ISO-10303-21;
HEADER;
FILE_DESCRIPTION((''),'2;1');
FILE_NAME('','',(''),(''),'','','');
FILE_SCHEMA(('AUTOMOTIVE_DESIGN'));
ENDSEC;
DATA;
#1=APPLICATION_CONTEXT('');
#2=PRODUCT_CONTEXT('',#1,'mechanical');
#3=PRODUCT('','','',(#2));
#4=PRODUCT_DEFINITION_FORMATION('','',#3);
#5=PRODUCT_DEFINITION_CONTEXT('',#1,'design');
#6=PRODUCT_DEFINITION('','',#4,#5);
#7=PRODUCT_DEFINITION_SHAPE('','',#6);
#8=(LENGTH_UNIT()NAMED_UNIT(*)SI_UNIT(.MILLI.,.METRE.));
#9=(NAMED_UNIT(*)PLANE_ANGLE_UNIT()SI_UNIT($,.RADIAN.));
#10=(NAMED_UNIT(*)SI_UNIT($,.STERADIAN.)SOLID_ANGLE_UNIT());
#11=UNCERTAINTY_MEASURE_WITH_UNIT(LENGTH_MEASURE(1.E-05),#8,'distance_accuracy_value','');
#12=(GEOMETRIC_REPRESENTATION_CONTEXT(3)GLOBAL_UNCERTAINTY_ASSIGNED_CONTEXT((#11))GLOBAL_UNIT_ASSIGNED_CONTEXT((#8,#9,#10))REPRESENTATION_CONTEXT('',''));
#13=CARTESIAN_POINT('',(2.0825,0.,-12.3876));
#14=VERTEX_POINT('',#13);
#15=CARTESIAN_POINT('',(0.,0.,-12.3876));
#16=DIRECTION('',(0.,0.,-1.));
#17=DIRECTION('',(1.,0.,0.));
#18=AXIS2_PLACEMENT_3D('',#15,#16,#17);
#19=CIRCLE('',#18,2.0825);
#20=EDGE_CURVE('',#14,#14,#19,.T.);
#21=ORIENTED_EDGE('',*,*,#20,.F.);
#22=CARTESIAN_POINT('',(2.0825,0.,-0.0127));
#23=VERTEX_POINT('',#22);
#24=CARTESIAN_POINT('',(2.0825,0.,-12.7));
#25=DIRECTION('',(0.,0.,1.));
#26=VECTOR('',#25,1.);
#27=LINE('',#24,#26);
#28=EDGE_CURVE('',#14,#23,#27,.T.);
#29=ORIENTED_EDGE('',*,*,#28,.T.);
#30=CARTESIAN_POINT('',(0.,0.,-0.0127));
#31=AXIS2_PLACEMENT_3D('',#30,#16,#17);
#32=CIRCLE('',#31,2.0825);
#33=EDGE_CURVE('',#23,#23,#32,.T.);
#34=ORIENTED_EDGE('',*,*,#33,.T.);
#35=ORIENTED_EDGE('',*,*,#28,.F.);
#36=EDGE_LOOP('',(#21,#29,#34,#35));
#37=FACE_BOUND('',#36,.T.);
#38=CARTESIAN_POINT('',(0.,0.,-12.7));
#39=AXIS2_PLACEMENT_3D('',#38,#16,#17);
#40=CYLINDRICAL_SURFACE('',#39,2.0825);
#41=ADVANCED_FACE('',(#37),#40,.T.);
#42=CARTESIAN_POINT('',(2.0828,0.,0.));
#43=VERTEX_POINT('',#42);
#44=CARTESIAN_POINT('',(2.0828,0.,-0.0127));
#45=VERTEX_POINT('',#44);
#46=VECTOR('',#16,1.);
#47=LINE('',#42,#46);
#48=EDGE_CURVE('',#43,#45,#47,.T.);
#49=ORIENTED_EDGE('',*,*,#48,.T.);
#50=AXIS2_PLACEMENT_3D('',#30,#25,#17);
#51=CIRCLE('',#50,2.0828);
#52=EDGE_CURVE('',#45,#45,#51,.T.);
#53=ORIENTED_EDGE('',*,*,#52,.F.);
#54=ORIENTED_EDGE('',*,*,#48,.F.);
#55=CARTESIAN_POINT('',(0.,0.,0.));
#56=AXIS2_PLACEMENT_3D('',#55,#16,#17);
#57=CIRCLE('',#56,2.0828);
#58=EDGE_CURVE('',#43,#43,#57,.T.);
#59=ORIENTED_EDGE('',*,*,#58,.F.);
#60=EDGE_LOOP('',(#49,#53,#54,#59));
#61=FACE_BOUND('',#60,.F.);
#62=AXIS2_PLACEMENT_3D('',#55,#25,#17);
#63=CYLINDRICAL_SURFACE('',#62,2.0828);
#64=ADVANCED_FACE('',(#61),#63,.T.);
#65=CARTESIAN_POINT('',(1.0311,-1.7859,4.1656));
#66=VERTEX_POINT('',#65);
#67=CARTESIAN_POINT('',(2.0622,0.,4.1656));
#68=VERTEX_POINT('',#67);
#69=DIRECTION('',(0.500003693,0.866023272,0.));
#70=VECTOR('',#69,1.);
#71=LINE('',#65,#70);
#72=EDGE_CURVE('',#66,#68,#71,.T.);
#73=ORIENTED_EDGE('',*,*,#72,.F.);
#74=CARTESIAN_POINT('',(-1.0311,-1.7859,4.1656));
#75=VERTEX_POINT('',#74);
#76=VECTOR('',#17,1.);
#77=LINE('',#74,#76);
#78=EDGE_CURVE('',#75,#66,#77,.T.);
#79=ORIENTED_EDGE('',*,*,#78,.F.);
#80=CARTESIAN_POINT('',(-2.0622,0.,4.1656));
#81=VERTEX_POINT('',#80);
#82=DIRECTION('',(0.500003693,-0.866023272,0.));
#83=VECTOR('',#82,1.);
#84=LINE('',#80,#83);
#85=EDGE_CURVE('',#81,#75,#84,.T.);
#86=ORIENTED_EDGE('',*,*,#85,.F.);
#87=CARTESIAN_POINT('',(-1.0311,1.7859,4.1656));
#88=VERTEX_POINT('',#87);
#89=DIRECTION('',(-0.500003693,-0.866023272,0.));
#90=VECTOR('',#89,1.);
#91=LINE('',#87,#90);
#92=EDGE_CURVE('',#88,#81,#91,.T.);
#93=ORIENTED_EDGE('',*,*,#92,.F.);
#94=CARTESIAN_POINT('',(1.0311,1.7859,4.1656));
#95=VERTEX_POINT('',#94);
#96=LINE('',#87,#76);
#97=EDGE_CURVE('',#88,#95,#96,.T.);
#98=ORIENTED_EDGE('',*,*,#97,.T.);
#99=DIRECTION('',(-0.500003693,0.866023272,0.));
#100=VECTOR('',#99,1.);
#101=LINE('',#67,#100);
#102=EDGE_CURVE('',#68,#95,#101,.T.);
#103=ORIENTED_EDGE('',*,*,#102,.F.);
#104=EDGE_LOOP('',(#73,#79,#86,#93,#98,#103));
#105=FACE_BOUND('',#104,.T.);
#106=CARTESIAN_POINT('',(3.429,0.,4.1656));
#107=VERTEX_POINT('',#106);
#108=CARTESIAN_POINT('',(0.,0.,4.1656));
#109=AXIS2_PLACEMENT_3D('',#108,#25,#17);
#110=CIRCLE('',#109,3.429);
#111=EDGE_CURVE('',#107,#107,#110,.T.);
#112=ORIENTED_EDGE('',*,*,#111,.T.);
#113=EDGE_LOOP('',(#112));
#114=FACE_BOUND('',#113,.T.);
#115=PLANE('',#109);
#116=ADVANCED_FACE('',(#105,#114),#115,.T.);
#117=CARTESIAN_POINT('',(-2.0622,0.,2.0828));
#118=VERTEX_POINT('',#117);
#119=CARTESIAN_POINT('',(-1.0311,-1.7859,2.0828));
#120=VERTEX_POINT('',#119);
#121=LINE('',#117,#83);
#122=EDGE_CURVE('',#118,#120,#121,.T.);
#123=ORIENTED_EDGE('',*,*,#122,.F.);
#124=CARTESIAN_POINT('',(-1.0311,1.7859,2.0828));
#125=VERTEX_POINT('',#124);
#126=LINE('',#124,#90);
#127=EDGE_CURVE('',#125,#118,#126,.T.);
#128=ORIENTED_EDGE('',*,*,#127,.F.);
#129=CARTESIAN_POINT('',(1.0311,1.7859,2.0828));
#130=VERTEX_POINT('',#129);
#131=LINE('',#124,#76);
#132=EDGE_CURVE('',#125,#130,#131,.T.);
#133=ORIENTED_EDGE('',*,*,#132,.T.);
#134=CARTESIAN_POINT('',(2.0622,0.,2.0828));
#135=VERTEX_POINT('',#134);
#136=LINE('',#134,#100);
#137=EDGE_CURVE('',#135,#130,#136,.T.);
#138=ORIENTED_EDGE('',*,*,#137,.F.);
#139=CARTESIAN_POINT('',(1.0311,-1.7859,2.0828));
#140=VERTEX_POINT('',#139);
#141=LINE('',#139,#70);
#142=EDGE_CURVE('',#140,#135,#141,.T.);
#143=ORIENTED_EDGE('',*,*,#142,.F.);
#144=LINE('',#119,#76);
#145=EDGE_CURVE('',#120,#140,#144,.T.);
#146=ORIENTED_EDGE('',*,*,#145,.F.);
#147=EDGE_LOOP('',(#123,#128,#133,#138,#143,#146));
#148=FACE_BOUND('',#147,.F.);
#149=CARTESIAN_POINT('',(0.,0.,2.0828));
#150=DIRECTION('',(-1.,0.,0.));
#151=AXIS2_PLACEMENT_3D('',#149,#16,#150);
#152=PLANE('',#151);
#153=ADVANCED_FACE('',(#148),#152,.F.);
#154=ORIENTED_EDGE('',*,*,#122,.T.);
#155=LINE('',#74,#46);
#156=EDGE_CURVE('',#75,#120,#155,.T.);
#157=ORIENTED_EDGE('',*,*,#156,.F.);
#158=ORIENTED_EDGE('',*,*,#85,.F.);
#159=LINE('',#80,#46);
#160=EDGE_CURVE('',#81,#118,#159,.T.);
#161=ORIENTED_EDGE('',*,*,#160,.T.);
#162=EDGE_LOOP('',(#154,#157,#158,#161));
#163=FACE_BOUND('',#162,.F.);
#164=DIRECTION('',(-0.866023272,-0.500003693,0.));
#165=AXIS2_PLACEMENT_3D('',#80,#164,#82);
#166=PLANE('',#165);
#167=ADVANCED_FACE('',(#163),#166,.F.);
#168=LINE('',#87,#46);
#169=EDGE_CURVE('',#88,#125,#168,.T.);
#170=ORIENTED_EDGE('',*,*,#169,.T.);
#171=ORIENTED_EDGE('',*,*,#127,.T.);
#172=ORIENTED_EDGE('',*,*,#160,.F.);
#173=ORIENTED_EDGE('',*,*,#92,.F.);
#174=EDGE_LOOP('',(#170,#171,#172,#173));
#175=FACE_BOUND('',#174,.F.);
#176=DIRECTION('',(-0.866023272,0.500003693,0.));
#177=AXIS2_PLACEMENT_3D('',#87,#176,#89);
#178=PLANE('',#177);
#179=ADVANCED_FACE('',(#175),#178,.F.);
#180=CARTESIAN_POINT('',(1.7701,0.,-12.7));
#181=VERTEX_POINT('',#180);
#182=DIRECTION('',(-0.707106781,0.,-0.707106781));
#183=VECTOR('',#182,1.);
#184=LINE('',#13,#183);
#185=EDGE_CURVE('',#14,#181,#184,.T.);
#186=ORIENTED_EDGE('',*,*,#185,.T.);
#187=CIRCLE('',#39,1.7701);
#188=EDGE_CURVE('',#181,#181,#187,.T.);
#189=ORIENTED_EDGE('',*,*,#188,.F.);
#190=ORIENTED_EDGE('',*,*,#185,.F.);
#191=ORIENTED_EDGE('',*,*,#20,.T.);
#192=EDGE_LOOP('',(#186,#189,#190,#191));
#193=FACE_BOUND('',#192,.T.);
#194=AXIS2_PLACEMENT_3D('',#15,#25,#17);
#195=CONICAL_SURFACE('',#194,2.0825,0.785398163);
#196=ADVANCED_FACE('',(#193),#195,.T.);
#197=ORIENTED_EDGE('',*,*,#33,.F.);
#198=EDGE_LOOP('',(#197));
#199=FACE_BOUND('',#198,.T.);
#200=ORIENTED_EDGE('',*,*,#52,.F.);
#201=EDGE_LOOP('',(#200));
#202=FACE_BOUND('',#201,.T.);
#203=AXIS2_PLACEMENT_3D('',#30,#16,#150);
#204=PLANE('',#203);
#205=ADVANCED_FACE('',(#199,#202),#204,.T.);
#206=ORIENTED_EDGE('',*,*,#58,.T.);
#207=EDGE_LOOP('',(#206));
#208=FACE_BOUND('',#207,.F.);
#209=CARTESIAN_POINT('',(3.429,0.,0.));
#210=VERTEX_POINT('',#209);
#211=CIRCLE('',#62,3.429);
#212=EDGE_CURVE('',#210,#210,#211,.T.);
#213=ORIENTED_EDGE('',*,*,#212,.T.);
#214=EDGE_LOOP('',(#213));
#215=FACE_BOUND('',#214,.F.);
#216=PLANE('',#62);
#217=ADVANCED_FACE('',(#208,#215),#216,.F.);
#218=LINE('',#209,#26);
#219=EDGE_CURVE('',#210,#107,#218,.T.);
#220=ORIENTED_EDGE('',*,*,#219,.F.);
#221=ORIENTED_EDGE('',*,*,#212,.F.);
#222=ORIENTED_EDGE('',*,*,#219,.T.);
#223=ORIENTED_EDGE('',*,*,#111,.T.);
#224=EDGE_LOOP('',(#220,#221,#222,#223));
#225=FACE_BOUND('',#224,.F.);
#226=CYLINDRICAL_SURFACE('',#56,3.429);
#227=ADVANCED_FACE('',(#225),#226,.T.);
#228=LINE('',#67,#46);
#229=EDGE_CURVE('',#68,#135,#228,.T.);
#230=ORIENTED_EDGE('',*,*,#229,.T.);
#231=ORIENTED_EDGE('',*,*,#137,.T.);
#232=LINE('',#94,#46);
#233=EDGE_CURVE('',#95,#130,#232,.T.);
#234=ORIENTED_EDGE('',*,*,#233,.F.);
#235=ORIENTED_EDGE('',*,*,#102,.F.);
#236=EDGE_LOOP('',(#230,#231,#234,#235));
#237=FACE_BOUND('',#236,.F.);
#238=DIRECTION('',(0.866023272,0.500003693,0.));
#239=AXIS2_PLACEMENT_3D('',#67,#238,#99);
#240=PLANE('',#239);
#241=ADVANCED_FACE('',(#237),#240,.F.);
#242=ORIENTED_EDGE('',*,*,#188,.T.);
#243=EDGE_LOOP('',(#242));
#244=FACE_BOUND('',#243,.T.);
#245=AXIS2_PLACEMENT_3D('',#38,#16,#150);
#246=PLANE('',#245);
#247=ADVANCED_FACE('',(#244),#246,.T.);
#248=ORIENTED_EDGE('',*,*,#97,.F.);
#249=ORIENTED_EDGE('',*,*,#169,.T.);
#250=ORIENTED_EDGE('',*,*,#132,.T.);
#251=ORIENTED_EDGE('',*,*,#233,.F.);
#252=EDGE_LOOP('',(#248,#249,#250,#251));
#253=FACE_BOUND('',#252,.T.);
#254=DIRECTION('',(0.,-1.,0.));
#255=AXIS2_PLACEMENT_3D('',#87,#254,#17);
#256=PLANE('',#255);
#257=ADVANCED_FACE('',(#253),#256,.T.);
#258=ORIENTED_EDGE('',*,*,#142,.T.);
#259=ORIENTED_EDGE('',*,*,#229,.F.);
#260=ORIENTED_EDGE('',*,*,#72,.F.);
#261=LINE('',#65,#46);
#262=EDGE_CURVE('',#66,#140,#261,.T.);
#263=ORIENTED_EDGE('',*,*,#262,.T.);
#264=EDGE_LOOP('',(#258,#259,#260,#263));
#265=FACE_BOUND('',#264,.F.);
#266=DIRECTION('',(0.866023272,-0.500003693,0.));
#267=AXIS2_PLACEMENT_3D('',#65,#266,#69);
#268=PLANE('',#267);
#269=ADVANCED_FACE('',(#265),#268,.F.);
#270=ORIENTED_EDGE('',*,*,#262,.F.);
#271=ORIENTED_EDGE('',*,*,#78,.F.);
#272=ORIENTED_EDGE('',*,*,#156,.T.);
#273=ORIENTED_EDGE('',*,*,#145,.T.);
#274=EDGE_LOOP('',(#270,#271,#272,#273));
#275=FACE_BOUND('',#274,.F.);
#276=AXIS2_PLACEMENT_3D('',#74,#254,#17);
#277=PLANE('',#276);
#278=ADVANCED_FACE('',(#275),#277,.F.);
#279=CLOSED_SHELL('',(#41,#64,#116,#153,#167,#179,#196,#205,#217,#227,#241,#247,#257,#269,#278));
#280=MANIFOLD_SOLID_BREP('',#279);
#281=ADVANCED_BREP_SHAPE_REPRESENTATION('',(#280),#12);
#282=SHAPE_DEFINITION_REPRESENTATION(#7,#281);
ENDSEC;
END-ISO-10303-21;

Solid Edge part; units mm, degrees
sketch "Sketch1" plane through (0, 0, 0) normal (0, 0, 1) x (1, 0, 0)
  circle A0 centre (0, 0) radius 3.429
  dimension "D1" = 6.858
extrude "Protrusion1" add sketch "Sketch1" along normal blind 4.1656
sketch "Sketch2" plane through (0, 0, 0) normal (0, 0, -1) x (1, 0, 0)
  circle A0 centre (0, 0) radius 2.0828
extrude "Protrusion2" add sketch "Sketch2" along normal blind 12.7
sketch "Sketch3" plane through (0, 0, -12.7) normal (0, 0, -1) x (1, 0, 0)
  circle A0 centre (0, 0) radius 2.0825
extrude "Cutout1" cut sketch "Sketch3" against normal blind 12.6873 flip side to cut
chamfer "Chamfer_1" distance 0.3124 angle 45 1 edges at (-2.0825, 0, -12.7)
sketch "Sketch4" plane through (0, 0, 4.1656) normal (0, 0, 1) x (1, 0, 0)
  line L0 (-1.0311, 1.7859) -> (1.0311, 1.7859)
  line L1 (2.0622, 0) -> (1.0311, 1.7859)
  line L2 (1.0311, -1.7859) -> (2.0622, 0)
  line L3 (-1.0311, -1.7859) -> (1.0311, -1.7859)
  line L4 (-2.0622, 0) -> (-1.0311, -1.7859)
  line L5 (-1.0311, 1.7859) -> (-2.0622, 0)
  dimension "D1" = 3.5719
extrude "Cutout2" cut sketch "Sketch4" against normal blind 2.0828
properties part number "24101588"
